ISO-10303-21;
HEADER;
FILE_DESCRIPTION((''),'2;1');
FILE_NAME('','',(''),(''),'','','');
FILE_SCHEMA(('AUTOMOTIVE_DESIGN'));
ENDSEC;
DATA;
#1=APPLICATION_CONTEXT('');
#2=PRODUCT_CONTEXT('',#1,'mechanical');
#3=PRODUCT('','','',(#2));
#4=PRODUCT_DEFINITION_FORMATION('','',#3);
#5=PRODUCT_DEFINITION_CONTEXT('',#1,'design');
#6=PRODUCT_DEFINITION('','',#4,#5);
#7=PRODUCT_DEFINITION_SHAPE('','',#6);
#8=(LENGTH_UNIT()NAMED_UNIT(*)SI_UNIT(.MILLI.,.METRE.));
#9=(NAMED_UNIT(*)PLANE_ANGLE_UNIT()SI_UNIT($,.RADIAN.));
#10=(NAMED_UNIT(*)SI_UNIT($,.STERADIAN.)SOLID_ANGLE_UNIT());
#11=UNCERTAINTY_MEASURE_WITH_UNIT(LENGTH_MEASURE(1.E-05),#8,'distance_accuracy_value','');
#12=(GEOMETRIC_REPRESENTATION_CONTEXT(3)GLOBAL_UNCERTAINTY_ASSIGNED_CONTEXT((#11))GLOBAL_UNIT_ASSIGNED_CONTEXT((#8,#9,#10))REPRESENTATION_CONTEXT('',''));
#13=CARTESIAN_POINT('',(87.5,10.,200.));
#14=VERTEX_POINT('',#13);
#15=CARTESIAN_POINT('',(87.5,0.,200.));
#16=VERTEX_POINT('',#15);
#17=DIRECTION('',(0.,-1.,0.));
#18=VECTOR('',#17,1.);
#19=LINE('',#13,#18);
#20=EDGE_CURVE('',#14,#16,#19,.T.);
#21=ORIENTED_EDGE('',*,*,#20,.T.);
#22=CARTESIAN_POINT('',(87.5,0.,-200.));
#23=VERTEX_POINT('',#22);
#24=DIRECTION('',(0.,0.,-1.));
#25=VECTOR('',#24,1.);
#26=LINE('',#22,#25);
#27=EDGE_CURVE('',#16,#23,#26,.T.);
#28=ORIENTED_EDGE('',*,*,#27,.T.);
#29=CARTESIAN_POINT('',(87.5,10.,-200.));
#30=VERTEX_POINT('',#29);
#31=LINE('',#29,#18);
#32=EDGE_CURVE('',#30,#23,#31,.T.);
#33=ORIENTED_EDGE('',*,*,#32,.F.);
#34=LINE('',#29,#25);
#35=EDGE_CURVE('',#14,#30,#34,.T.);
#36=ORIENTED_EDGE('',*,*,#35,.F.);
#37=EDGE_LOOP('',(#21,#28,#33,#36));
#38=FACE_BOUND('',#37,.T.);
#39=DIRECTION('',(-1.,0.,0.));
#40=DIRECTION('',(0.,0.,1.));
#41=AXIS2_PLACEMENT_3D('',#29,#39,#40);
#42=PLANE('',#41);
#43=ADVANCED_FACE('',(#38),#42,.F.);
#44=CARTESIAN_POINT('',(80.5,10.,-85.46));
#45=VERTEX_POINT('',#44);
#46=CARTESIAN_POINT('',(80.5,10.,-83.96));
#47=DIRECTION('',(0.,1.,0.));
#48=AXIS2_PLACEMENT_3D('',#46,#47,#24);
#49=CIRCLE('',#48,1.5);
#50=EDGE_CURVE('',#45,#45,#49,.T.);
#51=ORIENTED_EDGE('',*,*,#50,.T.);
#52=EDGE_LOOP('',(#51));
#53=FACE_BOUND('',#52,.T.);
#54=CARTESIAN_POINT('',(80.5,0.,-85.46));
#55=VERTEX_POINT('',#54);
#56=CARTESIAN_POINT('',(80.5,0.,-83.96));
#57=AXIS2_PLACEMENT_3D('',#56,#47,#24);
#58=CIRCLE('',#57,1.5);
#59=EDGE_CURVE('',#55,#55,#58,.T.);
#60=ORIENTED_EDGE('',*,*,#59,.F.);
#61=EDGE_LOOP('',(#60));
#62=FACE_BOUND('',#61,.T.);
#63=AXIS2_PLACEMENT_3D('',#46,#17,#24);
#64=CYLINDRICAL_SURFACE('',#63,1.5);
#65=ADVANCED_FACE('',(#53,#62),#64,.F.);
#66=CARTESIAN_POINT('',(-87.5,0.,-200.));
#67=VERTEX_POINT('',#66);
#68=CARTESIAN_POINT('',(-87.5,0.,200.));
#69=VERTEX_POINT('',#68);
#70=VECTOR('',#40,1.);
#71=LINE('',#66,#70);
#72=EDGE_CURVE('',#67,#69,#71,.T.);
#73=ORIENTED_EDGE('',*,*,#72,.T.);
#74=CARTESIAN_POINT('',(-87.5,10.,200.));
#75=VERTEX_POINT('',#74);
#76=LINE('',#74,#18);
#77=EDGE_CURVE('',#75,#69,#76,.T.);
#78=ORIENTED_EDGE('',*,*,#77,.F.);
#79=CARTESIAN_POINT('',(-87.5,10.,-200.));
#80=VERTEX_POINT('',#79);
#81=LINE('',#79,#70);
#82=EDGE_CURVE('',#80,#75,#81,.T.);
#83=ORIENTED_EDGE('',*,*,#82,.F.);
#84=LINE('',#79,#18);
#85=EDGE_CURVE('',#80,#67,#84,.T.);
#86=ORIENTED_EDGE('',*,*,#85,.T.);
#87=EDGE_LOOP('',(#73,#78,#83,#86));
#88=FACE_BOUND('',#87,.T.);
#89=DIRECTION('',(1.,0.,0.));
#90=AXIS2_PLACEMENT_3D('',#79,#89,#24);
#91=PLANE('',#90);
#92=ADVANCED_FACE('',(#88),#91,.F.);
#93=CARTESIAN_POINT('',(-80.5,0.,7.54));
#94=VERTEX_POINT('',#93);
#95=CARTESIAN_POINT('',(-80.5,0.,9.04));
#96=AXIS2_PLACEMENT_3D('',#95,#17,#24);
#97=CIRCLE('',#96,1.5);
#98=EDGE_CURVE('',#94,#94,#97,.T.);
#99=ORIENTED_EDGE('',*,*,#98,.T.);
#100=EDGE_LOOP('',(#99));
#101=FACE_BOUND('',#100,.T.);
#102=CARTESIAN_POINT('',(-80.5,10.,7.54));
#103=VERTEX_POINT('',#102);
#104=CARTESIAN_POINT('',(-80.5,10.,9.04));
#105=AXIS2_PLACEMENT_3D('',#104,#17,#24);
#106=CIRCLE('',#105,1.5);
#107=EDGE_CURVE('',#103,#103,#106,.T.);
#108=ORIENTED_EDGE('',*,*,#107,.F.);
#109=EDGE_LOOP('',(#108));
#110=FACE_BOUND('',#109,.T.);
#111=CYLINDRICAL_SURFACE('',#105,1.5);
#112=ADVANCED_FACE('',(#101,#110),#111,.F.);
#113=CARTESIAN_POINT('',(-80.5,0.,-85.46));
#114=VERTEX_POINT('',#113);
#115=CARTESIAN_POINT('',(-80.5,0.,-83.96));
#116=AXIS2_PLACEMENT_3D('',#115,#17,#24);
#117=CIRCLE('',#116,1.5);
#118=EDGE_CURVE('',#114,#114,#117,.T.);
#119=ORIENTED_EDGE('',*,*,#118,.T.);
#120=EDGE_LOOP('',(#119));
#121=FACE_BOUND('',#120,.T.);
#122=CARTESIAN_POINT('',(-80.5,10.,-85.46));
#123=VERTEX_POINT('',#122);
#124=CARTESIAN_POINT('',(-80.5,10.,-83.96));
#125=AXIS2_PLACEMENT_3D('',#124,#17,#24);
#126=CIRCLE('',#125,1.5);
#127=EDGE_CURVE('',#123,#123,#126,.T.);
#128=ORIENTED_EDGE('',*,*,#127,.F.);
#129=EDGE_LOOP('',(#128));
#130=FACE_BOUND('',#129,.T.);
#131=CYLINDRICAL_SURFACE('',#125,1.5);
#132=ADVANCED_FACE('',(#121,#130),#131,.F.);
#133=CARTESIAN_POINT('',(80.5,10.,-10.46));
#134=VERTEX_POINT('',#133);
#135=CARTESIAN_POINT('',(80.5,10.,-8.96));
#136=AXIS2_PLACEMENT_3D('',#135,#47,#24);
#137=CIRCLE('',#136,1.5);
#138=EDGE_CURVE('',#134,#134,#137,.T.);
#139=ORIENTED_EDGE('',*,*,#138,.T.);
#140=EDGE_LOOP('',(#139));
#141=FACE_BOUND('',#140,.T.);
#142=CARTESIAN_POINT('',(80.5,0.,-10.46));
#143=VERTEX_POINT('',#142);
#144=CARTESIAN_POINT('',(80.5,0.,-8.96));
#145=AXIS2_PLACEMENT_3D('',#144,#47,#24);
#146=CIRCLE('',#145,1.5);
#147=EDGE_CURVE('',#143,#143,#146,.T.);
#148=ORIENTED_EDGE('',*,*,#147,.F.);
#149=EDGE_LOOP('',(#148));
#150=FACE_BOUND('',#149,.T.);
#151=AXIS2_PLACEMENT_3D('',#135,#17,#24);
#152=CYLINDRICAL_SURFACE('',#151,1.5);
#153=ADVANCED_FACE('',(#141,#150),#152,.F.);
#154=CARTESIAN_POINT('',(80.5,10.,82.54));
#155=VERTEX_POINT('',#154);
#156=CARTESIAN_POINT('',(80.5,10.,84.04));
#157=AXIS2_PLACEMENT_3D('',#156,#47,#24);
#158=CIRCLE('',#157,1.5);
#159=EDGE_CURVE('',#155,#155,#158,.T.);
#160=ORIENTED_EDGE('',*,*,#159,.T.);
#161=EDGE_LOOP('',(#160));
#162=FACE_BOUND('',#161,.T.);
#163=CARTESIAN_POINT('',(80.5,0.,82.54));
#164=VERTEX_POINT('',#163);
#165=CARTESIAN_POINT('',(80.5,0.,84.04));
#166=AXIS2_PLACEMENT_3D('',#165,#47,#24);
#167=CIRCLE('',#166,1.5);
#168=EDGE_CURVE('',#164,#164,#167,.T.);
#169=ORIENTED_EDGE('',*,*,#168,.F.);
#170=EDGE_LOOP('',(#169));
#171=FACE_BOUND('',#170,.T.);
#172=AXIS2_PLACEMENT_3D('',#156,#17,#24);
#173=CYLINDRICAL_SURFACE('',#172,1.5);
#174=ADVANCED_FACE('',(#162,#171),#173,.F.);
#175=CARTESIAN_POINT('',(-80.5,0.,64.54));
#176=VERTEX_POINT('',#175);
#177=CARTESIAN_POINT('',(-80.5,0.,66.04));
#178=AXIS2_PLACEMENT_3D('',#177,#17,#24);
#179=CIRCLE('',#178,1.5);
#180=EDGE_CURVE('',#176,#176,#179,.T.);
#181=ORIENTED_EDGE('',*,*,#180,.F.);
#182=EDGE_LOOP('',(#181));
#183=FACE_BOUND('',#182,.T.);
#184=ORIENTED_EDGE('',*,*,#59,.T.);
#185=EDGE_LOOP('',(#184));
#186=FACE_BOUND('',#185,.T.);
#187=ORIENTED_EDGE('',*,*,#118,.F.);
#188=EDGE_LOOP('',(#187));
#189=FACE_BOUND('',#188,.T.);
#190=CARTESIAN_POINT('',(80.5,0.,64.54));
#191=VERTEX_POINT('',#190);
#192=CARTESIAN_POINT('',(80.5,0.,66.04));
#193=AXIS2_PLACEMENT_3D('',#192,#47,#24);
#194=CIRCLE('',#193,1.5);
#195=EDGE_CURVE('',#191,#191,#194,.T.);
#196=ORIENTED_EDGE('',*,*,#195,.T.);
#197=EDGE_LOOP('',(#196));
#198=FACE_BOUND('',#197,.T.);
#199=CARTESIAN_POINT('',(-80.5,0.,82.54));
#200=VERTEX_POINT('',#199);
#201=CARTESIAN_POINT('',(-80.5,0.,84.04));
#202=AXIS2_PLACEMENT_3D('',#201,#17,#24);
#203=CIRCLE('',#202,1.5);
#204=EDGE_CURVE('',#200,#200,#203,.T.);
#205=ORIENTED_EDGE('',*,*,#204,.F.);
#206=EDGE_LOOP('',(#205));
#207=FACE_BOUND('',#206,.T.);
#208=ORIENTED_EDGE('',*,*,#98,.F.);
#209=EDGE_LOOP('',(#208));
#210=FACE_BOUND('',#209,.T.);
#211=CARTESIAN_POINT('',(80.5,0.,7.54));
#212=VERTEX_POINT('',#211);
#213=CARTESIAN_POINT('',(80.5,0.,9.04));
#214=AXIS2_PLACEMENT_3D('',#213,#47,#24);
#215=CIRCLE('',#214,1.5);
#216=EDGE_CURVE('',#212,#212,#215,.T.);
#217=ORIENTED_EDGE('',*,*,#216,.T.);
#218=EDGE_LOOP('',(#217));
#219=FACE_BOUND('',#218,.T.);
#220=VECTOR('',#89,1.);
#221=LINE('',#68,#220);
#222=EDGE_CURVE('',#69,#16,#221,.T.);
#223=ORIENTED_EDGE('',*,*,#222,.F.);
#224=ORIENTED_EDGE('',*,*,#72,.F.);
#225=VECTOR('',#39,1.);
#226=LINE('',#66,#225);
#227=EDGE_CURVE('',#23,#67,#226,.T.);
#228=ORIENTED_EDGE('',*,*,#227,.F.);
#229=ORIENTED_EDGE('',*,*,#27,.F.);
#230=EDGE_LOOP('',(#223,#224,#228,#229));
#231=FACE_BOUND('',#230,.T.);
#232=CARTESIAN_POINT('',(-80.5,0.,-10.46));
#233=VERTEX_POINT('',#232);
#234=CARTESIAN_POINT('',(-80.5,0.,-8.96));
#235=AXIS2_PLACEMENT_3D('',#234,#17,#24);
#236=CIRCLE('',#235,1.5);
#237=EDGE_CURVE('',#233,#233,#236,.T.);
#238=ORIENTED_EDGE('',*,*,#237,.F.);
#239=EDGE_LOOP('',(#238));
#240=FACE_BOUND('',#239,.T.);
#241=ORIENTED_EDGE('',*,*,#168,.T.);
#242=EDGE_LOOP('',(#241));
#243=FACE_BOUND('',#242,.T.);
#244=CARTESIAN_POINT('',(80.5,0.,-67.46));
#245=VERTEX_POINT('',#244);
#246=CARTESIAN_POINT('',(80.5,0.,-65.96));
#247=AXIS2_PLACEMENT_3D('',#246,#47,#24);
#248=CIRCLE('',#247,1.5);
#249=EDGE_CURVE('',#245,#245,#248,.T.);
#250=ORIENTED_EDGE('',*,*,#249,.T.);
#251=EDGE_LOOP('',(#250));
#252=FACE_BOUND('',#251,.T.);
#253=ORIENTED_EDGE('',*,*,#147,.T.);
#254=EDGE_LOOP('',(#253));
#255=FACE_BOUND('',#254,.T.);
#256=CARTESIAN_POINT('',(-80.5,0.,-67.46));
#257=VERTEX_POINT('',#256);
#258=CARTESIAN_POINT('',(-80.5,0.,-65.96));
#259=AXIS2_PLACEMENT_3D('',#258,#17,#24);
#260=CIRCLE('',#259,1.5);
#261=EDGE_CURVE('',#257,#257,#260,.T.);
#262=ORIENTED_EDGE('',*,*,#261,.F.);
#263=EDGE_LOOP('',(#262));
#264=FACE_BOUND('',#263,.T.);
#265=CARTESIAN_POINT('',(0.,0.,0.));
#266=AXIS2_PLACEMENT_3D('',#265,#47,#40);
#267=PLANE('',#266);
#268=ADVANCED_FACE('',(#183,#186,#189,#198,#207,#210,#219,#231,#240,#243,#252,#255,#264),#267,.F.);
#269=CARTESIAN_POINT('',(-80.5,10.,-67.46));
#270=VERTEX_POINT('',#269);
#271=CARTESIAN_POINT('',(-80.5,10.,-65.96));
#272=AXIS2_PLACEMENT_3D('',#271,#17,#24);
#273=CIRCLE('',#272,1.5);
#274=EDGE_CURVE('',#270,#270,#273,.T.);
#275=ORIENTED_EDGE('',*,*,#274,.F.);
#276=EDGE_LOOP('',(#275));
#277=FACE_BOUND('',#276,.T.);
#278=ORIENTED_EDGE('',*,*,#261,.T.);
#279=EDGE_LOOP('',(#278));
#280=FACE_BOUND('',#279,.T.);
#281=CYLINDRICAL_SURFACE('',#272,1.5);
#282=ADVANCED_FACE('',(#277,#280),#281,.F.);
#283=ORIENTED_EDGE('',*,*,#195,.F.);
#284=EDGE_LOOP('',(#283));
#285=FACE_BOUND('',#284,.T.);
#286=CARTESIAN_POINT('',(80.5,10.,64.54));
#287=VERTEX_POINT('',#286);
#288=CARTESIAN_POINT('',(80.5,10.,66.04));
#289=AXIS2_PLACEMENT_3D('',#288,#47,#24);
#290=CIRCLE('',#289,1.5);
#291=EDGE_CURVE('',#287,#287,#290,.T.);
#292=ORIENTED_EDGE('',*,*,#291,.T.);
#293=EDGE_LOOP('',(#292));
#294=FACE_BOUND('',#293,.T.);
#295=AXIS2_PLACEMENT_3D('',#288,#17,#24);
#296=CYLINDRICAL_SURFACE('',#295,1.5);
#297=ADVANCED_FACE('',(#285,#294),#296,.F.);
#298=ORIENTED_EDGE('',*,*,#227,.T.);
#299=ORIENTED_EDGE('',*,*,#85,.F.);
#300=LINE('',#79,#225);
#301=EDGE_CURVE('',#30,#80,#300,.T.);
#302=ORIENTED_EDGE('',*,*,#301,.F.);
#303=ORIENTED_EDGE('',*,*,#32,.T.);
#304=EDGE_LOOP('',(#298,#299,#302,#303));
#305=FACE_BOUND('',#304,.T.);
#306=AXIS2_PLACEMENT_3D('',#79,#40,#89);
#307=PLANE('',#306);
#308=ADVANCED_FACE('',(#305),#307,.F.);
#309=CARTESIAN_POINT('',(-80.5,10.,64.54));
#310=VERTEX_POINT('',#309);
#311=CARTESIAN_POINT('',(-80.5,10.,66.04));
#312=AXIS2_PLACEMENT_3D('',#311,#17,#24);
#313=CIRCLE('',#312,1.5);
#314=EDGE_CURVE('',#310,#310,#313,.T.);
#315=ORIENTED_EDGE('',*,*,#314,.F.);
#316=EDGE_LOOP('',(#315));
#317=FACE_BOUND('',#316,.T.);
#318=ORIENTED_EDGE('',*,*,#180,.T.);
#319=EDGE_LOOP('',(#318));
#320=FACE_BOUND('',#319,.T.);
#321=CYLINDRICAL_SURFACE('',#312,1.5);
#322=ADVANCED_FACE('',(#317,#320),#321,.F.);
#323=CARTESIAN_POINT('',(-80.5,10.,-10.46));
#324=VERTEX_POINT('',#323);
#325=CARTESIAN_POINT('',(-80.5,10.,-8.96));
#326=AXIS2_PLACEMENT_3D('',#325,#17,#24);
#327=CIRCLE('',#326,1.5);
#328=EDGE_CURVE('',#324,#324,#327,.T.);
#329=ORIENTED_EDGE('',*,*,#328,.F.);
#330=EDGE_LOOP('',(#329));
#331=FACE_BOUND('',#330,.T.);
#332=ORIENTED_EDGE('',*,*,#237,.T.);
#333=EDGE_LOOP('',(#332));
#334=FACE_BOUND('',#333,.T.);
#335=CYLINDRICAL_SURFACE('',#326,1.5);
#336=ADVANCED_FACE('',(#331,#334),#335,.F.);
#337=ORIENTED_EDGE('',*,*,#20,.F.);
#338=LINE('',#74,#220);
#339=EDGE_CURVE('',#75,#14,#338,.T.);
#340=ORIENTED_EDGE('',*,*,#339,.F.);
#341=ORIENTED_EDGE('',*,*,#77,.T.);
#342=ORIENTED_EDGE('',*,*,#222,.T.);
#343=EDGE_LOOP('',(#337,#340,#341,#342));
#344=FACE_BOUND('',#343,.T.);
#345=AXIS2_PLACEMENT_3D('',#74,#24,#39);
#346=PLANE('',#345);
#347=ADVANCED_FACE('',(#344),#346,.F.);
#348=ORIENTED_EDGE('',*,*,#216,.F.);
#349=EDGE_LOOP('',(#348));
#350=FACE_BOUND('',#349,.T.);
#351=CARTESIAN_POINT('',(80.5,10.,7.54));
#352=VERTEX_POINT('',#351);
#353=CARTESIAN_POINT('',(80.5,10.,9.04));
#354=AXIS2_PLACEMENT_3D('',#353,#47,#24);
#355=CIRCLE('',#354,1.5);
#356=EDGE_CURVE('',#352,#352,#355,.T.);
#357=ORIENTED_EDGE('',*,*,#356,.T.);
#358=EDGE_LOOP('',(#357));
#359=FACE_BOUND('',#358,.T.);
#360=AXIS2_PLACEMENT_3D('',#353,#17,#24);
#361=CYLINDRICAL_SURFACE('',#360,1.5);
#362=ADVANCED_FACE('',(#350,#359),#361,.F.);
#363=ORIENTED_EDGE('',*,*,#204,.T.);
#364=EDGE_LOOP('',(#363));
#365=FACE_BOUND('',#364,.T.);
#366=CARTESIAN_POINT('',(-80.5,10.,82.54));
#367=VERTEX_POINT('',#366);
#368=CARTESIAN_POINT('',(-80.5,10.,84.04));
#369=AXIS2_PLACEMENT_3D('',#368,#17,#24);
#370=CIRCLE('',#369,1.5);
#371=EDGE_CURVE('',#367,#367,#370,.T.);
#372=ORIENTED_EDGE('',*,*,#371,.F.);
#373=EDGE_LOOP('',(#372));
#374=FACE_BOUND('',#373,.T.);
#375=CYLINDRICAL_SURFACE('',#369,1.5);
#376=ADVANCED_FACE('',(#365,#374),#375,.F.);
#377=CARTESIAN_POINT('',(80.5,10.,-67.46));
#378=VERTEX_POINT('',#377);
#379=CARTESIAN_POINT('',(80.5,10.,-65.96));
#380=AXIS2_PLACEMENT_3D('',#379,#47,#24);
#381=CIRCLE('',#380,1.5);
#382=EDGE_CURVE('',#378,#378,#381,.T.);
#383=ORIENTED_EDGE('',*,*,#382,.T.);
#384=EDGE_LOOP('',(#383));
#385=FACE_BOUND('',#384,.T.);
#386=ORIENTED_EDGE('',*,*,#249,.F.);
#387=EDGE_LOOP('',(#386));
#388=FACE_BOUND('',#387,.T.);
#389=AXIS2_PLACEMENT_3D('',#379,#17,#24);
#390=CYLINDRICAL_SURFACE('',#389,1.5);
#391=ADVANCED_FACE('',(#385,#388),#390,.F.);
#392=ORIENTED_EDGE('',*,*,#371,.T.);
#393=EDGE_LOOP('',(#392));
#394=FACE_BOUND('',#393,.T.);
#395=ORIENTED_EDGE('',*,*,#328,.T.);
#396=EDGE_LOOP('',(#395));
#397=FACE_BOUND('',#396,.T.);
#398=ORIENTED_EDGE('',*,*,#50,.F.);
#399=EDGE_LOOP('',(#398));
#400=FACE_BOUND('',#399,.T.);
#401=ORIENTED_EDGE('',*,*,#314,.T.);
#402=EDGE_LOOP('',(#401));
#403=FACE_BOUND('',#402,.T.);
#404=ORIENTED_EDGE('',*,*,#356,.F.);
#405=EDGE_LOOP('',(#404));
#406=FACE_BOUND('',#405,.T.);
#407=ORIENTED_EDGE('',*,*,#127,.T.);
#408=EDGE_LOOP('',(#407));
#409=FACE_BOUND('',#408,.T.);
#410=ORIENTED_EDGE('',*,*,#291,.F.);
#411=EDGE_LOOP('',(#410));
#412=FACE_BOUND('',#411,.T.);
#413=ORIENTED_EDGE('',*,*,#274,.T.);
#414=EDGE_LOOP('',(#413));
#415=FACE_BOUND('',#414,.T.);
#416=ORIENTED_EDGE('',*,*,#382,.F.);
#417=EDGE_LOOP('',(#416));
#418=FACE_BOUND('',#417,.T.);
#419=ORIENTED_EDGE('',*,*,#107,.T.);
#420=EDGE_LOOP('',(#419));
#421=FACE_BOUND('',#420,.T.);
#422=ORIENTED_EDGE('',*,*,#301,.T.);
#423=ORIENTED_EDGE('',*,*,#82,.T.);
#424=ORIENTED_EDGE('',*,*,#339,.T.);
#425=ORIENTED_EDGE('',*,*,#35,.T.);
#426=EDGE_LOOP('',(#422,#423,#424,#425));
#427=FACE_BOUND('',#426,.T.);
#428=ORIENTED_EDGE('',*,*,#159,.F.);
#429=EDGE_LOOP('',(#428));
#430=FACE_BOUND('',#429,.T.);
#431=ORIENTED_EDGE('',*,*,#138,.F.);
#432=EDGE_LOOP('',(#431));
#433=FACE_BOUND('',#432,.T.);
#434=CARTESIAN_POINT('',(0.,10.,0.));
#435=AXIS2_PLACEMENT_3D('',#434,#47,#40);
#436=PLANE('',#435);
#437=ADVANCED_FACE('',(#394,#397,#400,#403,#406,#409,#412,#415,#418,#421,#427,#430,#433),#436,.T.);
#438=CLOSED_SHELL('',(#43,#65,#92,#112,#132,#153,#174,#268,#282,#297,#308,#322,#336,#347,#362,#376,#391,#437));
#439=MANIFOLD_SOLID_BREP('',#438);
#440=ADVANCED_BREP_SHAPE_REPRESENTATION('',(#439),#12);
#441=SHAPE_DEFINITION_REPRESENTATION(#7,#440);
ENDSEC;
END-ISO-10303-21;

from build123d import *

# Parameters (mm, degrees)
SKETCH_1_W          = 175
SKETCH_1_H          = 400
EXTRUDE_1_DEPTH     = 10
SKETCH_3_R          = 1.5
CUT_EXTRUDE_1_DEPTH = 10


with BuildPart() as part:
    # 草图1 → 凸台-拉伸1 (new body)
    with BuildSketch(Plane(origin=(0, 0, 0), x_dir=(1, 0, 0), z_dir=(0, 1, 0))):
        Rectangle(SKETCH_1_W, SKETCH_1_H)
    extrude(amount=EXTRUDE_1_DEPTH)

    # 草图3 → 切除-拉伸1 (cut)
    with BuildSketch(Plane.XZ):
        with Locations(Location((-80.5, -83.96, 0), (0, 0, 270))):
            Circle(SKETCH_3_R)
        with Locations(Location((-80.5, -65.96, 0), (0, 0, 270))):
            Circle(SKETCH_3_R)
        with Locations(Location((-80.5, -8.96, 0), (0, 0, 270))):
            Circle(SKETCH_3_R)
        with Locations(Location((-80.5, 9.04, 0), (0, 0, 270))):
            Circle(SKETCH_3_R)
        with Locations(Location((-80.5, 66.04, 0), (0, 0, 270))):
            Circle(SKETCH_3_R)
        with Locations(Location((-80.5, 84.04, 0), (0, 0, 270))):
            Circle(SKETCH_3_R)
    cut_extrude_1 = extrude(amount=-CUT_EXTRUDE_1_DEPTH, mode=Mode.SUBTRACT)

    # 镜向1: 切除-拉伸1 across plane
    add(cut_extrude_1.mirror(Plane(origin=(0, 0, 0), x_dir=(0, 0, 1), z_dir=(1, 0, 0))), mode=Mode.SUBTRACT)


solid = part.part
